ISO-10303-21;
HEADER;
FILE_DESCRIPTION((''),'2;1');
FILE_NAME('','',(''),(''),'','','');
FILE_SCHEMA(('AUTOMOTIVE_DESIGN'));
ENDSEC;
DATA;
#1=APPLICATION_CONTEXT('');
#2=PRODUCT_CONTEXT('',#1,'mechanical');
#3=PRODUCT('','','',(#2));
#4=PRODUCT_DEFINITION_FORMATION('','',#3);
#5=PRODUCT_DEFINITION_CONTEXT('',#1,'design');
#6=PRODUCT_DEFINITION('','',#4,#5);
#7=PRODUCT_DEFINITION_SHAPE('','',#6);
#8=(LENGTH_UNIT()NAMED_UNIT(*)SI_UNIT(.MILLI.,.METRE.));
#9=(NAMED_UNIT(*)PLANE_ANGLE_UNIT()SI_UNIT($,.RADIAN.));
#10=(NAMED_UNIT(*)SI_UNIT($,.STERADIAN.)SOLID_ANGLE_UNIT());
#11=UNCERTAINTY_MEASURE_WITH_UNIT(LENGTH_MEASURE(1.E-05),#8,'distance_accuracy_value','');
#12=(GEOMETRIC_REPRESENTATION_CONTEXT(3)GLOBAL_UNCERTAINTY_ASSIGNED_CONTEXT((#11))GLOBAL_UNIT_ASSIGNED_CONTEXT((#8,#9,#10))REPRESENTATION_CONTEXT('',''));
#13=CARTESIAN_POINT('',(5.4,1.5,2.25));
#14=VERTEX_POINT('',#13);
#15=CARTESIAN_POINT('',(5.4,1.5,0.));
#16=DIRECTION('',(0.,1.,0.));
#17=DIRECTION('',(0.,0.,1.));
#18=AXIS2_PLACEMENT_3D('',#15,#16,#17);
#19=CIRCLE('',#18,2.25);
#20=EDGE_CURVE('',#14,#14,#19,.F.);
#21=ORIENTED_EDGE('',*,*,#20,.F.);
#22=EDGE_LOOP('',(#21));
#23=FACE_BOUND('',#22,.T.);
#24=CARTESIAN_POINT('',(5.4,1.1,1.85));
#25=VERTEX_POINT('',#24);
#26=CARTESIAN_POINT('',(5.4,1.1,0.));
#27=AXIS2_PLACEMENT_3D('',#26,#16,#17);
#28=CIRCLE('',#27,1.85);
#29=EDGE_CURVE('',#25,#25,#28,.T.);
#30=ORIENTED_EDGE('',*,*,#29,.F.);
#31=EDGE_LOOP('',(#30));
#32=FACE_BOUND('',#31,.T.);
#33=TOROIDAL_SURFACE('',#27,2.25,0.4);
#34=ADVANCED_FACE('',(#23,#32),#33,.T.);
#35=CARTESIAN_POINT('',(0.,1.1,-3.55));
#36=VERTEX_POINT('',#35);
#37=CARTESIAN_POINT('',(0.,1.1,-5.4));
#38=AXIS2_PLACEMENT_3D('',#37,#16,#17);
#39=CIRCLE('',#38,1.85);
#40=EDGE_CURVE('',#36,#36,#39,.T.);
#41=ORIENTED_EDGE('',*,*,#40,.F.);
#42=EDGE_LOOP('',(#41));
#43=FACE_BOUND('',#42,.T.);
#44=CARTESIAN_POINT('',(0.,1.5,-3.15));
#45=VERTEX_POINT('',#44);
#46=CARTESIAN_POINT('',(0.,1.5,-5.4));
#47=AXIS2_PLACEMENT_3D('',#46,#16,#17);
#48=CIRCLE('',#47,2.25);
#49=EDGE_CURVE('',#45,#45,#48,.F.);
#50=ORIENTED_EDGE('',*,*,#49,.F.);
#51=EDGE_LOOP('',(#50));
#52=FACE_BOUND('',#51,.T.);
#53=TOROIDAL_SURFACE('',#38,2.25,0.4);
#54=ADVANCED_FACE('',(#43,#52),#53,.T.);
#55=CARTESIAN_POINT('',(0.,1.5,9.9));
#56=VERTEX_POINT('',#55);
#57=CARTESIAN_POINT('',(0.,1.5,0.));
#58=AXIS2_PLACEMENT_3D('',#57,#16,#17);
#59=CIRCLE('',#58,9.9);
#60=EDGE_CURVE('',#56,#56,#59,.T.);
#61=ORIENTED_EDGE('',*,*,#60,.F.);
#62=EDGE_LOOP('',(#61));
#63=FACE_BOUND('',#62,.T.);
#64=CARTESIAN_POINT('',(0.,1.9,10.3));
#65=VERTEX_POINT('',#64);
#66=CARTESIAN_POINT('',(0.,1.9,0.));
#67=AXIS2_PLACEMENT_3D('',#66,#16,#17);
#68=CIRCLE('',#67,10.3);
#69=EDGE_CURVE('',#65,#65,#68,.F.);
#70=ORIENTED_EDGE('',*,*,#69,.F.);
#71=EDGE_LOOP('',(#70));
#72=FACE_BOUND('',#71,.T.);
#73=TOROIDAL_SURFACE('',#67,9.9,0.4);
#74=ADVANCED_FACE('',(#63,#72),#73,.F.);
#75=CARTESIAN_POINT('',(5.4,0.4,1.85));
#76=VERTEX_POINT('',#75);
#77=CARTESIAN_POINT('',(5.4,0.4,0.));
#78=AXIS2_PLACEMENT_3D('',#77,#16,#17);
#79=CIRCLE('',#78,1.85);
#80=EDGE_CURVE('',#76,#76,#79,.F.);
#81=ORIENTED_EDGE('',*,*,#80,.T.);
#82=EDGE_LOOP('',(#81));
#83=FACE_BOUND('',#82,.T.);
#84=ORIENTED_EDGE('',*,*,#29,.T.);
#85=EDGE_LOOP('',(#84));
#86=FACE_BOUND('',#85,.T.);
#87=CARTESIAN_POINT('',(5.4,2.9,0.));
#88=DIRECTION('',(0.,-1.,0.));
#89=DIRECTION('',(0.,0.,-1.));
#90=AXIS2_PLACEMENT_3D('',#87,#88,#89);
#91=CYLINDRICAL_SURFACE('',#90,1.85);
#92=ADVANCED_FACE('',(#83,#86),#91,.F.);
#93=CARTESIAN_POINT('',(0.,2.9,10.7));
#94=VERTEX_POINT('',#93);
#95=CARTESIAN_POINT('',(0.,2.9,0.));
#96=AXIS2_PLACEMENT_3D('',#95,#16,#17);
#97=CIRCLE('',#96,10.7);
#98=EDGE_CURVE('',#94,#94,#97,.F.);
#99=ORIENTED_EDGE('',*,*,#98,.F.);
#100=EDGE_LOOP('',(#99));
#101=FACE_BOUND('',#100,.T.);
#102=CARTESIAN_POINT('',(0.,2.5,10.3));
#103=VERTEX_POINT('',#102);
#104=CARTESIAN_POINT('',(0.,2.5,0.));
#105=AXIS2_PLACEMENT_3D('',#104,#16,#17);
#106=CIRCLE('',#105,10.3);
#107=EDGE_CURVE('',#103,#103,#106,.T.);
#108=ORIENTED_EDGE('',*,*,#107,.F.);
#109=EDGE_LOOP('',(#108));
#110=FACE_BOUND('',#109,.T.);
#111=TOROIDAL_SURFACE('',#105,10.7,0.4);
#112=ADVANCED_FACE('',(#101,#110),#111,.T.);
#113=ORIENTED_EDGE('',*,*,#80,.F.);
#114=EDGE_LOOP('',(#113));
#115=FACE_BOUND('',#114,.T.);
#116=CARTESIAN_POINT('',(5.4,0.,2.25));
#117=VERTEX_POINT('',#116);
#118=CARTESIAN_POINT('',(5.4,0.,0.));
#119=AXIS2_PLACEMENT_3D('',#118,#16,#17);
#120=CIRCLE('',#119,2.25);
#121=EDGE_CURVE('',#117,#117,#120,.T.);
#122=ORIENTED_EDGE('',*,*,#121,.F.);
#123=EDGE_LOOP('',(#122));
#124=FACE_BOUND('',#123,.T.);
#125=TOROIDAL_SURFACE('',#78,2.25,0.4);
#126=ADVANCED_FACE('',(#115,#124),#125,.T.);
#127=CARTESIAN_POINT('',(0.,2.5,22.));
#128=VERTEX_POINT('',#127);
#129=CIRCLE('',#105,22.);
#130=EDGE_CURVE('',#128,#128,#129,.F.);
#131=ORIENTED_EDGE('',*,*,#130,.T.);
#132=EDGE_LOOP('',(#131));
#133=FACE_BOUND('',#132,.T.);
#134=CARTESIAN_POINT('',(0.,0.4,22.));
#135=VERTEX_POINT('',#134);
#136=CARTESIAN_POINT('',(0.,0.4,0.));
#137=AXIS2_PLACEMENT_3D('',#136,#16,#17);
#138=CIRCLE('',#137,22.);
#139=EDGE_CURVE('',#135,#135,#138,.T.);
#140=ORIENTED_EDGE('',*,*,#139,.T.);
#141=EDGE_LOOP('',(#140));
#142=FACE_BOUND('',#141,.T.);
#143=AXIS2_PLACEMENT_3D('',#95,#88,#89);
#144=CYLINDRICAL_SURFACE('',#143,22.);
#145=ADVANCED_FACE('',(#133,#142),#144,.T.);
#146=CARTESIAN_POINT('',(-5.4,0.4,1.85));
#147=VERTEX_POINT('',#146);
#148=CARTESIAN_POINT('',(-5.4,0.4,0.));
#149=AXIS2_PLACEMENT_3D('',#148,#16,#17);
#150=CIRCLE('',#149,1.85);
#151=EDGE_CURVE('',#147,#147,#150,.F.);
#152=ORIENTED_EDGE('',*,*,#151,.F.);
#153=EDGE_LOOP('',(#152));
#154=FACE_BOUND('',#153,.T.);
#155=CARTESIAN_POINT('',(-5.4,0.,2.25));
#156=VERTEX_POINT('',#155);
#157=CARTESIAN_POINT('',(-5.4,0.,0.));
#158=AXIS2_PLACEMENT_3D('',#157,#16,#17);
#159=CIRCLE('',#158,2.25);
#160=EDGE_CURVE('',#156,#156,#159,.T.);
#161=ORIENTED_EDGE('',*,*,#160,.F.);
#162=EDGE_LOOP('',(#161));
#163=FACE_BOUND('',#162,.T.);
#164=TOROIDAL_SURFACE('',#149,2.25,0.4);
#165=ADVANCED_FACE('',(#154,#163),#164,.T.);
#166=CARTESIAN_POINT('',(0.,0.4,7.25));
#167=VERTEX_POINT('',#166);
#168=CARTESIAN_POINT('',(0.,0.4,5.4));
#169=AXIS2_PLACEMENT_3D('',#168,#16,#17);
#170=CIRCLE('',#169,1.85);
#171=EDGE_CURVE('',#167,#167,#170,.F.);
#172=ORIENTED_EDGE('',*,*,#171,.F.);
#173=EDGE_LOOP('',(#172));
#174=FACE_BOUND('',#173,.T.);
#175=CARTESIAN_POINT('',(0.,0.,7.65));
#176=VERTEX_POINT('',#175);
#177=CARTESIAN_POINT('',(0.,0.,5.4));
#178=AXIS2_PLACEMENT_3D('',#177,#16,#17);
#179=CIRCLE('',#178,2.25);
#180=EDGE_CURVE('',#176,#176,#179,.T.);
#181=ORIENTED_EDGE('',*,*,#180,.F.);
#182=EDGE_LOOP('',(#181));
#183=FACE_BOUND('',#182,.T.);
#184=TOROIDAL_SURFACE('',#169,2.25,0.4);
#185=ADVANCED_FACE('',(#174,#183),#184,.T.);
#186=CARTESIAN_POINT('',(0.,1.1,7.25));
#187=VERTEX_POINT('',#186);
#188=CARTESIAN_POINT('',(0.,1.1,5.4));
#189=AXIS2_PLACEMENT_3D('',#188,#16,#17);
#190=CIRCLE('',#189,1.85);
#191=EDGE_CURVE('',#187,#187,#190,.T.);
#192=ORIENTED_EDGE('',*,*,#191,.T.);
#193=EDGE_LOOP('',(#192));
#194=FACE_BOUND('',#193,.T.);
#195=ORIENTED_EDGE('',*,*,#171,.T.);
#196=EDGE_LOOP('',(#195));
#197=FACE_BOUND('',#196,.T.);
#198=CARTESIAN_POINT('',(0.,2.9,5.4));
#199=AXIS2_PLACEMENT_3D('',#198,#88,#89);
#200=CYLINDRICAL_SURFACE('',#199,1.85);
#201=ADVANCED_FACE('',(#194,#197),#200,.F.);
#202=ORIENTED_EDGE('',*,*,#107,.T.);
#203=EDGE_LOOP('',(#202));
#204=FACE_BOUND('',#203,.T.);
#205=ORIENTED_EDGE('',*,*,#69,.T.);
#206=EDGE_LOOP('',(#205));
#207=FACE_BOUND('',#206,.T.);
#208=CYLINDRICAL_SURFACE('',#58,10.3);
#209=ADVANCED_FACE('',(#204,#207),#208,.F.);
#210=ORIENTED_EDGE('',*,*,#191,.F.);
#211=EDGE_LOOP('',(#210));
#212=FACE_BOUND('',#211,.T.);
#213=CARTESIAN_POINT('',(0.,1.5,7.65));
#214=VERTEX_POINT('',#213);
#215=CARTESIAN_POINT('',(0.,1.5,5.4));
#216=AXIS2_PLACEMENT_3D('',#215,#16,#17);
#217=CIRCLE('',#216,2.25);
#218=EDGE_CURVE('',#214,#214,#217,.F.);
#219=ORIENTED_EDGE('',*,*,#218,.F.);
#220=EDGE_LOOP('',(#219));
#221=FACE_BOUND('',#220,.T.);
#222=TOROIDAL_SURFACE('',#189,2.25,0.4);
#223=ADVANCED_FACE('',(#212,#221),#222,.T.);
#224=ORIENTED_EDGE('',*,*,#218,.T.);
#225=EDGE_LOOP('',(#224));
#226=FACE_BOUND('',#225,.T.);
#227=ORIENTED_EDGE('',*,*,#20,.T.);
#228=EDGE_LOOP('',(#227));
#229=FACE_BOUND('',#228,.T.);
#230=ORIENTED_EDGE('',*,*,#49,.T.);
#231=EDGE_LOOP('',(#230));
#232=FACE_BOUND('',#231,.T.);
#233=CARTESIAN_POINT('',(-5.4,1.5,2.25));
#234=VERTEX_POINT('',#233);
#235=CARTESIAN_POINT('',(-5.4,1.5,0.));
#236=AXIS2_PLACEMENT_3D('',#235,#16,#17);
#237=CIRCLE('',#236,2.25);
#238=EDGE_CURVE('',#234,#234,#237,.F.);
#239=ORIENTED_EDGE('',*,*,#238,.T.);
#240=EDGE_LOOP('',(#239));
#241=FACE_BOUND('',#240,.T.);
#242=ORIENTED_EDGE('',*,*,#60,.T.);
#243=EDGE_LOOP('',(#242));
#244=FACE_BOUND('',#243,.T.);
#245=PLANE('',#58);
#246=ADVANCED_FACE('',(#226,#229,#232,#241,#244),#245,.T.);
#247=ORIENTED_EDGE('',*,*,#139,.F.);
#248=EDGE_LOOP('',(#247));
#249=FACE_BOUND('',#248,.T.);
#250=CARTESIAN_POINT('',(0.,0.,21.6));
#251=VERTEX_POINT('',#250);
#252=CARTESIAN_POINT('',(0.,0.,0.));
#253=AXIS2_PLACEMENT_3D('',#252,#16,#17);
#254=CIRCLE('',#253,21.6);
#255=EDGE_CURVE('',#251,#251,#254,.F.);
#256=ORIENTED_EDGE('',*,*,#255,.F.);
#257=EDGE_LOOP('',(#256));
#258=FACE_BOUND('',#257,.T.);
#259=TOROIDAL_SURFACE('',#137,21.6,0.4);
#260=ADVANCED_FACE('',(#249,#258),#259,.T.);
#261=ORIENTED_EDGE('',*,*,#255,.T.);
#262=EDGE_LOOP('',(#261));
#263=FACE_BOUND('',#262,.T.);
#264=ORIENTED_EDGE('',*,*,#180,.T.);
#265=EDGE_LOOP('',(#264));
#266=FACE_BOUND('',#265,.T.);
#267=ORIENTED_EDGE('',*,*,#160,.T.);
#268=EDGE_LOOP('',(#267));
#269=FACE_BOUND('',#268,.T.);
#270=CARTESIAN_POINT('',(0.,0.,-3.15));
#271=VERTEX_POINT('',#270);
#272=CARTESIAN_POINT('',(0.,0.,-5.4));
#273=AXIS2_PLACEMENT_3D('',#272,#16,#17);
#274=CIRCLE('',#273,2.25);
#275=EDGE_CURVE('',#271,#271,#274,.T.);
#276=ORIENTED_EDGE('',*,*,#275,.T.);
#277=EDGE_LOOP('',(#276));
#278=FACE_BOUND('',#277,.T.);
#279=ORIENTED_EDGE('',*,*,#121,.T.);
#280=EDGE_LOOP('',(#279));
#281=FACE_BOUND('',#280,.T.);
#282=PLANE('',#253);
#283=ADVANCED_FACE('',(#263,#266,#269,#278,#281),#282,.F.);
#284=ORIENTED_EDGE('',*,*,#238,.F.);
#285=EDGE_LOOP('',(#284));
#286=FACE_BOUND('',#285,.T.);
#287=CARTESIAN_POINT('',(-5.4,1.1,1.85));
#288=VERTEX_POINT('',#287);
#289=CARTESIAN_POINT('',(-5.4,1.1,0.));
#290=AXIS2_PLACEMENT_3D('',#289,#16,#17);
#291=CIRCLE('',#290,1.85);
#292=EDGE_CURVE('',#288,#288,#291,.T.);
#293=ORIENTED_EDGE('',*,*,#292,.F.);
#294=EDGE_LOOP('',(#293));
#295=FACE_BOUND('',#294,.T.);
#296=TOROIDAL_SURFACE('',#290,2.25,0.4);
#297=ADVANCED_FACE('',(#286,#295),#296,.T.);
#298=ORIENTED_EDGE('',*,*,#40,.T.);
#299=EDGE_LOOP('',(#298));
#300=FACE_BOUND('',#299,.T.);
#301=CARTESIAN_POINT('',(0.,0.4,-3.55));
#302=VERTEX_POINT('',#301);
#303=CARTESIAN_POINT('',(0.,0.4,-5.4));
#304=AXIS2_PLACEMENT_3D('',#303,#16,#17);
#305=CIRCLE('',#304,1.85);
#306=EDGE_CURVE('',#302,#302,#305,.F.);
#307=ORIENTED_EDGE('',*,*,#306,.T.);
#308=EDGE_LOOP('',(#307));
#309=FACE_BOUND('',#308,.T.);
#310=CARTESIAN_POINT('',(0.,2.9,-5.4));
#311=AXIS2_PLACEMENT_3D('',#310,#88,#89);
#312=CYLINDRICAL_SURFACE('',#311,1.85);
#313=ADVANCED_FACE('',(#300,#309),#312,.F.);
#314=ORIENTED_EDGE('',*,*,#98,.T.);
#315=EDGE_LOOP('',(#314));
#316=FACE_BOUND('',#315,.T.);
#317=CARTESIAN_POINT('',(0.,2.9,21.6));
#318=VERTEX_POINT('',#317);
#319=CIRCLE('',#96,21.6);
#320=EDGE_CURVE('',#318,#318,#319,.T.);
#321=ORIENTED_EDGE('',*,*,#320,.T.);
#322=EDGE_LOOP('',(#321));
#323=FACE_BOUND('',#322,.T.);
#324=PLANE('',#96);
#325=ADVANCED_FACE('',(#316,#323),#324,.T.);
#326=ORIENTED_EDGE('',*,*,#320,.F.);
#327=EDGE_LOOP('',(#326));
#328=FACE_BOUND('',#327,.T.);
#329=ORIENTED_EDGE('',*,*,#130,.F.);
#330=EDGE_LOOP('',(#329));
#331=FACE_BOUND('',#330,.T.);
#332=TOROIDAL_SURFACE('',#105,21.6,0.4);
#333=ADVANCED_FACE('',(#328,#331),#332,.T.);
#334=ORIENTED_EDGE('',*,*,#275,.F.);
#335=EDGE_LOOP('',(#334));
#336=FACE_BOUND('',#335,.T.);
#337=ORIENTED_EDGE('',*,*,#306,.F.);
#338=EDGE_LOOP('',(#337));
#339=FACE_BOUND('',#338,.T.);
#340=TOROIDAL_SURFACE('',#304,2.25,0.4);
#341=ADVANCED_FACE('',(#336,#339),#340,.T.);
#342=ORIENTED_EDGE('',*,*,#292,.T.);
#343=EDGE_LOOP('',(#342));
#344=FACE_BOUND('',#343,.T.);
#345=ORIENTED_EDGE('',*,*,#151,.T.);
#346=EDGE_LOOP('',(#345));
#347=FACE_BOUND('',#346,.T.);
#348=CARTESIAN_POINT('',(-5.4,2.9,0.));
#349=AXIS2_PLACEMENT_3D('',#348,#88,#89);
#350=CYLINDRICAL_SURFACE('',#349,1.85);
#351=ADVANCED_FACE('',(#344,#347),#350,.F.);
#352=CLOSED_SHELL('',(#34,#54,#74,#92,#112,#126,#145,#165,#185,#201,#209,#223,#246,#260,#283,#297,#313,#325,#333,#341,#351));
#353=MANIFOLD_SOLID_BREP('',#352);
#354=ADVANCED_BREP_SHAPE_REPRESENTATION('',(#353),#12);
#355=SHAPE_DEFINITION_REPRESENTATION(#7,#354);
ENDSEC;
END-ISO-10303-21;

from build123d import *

# Parameters (mm, degrees)
SKETCH1_R           = 22
SKETCH1_R_2         = 1.85
BOSS_EXTRUDE1_DEPTH = 2.9
SKETCH2_R           = 10.3
CUT_EXTRUDE1_DEPTH  = 1.4
FILLET1_R           = 0.4


with BuildPart() as part:
    # Sketch1 → Boss-Extrude1 (new body)
    with BuildSketch(Plane(origin=(0, 0, 0), x_dir=(1, 0, 0), z_dir=(0, 1, 0))):
        with Locations(Location((0, 0, 0), (0, 0, 270))):
            Circle(SKETCH1_R)
        with Locations(Location((0, 5.4, 0), (0, 0, 270))):
            Circle(SKETCH1_R_2, mode=Mode.SUBTRACT)
        with Locations(Location((5.4, 0, 0), (0, 0, 270))):
            Circle(SKETCH1_R_2, mode=Mode.SUBTRACT)
        with Locations(Location((0, -5.4, 0), (0, 0, 270))):
            Circle(SKETCH1_R_2, mode=Mode.SUBTRACT)
        with Locations(Location((-5.4, 0, 0), (0, 0, 270))):
            Circle(SKETCH1_R_2, mode=Mode.SUBTRACT)
    extrude(amount=BOSS_EXTRUDE1_DEPTH)

    # Sketch2 → Cut-Extrude1 (cut)
    with BuildSketch(Plane(origin=(0, 2.9, 0), x_dir=(1, 0, 0), z_dir=(0, 1, 0))):
        with Locations(Location((0, 0, 0), (0, 0, 270))):
            Circle(SKETCH2_R)
    extrude(amount=-CUT_EXTRUDE1_DEPTH, mode=Mode.SUBTRACT)

    # Fillet1
    fillet1_edges = [part.edges().sort_by_distance(p)[0] for p in [
        (0, 0, 3.55),
        (-5.4, 0, -1.85),
        (0, 0, -22),
        (0, 1.5, -10.3),
        (0, 1.5, -7.25),
        (5.4, 1.5, -1.85),
        (0, 1.5, 3.55),
        (-5.4, 1.5, -1.85),
        (0, 2.9, -10.3),
        (0, 2.9, -22),
        (0, 0, -7.25),
        (5.4, 0, -1.85),
    ]]
    fillet(fillet1_edges, radius=FILLET1_R)


solid = part.part
